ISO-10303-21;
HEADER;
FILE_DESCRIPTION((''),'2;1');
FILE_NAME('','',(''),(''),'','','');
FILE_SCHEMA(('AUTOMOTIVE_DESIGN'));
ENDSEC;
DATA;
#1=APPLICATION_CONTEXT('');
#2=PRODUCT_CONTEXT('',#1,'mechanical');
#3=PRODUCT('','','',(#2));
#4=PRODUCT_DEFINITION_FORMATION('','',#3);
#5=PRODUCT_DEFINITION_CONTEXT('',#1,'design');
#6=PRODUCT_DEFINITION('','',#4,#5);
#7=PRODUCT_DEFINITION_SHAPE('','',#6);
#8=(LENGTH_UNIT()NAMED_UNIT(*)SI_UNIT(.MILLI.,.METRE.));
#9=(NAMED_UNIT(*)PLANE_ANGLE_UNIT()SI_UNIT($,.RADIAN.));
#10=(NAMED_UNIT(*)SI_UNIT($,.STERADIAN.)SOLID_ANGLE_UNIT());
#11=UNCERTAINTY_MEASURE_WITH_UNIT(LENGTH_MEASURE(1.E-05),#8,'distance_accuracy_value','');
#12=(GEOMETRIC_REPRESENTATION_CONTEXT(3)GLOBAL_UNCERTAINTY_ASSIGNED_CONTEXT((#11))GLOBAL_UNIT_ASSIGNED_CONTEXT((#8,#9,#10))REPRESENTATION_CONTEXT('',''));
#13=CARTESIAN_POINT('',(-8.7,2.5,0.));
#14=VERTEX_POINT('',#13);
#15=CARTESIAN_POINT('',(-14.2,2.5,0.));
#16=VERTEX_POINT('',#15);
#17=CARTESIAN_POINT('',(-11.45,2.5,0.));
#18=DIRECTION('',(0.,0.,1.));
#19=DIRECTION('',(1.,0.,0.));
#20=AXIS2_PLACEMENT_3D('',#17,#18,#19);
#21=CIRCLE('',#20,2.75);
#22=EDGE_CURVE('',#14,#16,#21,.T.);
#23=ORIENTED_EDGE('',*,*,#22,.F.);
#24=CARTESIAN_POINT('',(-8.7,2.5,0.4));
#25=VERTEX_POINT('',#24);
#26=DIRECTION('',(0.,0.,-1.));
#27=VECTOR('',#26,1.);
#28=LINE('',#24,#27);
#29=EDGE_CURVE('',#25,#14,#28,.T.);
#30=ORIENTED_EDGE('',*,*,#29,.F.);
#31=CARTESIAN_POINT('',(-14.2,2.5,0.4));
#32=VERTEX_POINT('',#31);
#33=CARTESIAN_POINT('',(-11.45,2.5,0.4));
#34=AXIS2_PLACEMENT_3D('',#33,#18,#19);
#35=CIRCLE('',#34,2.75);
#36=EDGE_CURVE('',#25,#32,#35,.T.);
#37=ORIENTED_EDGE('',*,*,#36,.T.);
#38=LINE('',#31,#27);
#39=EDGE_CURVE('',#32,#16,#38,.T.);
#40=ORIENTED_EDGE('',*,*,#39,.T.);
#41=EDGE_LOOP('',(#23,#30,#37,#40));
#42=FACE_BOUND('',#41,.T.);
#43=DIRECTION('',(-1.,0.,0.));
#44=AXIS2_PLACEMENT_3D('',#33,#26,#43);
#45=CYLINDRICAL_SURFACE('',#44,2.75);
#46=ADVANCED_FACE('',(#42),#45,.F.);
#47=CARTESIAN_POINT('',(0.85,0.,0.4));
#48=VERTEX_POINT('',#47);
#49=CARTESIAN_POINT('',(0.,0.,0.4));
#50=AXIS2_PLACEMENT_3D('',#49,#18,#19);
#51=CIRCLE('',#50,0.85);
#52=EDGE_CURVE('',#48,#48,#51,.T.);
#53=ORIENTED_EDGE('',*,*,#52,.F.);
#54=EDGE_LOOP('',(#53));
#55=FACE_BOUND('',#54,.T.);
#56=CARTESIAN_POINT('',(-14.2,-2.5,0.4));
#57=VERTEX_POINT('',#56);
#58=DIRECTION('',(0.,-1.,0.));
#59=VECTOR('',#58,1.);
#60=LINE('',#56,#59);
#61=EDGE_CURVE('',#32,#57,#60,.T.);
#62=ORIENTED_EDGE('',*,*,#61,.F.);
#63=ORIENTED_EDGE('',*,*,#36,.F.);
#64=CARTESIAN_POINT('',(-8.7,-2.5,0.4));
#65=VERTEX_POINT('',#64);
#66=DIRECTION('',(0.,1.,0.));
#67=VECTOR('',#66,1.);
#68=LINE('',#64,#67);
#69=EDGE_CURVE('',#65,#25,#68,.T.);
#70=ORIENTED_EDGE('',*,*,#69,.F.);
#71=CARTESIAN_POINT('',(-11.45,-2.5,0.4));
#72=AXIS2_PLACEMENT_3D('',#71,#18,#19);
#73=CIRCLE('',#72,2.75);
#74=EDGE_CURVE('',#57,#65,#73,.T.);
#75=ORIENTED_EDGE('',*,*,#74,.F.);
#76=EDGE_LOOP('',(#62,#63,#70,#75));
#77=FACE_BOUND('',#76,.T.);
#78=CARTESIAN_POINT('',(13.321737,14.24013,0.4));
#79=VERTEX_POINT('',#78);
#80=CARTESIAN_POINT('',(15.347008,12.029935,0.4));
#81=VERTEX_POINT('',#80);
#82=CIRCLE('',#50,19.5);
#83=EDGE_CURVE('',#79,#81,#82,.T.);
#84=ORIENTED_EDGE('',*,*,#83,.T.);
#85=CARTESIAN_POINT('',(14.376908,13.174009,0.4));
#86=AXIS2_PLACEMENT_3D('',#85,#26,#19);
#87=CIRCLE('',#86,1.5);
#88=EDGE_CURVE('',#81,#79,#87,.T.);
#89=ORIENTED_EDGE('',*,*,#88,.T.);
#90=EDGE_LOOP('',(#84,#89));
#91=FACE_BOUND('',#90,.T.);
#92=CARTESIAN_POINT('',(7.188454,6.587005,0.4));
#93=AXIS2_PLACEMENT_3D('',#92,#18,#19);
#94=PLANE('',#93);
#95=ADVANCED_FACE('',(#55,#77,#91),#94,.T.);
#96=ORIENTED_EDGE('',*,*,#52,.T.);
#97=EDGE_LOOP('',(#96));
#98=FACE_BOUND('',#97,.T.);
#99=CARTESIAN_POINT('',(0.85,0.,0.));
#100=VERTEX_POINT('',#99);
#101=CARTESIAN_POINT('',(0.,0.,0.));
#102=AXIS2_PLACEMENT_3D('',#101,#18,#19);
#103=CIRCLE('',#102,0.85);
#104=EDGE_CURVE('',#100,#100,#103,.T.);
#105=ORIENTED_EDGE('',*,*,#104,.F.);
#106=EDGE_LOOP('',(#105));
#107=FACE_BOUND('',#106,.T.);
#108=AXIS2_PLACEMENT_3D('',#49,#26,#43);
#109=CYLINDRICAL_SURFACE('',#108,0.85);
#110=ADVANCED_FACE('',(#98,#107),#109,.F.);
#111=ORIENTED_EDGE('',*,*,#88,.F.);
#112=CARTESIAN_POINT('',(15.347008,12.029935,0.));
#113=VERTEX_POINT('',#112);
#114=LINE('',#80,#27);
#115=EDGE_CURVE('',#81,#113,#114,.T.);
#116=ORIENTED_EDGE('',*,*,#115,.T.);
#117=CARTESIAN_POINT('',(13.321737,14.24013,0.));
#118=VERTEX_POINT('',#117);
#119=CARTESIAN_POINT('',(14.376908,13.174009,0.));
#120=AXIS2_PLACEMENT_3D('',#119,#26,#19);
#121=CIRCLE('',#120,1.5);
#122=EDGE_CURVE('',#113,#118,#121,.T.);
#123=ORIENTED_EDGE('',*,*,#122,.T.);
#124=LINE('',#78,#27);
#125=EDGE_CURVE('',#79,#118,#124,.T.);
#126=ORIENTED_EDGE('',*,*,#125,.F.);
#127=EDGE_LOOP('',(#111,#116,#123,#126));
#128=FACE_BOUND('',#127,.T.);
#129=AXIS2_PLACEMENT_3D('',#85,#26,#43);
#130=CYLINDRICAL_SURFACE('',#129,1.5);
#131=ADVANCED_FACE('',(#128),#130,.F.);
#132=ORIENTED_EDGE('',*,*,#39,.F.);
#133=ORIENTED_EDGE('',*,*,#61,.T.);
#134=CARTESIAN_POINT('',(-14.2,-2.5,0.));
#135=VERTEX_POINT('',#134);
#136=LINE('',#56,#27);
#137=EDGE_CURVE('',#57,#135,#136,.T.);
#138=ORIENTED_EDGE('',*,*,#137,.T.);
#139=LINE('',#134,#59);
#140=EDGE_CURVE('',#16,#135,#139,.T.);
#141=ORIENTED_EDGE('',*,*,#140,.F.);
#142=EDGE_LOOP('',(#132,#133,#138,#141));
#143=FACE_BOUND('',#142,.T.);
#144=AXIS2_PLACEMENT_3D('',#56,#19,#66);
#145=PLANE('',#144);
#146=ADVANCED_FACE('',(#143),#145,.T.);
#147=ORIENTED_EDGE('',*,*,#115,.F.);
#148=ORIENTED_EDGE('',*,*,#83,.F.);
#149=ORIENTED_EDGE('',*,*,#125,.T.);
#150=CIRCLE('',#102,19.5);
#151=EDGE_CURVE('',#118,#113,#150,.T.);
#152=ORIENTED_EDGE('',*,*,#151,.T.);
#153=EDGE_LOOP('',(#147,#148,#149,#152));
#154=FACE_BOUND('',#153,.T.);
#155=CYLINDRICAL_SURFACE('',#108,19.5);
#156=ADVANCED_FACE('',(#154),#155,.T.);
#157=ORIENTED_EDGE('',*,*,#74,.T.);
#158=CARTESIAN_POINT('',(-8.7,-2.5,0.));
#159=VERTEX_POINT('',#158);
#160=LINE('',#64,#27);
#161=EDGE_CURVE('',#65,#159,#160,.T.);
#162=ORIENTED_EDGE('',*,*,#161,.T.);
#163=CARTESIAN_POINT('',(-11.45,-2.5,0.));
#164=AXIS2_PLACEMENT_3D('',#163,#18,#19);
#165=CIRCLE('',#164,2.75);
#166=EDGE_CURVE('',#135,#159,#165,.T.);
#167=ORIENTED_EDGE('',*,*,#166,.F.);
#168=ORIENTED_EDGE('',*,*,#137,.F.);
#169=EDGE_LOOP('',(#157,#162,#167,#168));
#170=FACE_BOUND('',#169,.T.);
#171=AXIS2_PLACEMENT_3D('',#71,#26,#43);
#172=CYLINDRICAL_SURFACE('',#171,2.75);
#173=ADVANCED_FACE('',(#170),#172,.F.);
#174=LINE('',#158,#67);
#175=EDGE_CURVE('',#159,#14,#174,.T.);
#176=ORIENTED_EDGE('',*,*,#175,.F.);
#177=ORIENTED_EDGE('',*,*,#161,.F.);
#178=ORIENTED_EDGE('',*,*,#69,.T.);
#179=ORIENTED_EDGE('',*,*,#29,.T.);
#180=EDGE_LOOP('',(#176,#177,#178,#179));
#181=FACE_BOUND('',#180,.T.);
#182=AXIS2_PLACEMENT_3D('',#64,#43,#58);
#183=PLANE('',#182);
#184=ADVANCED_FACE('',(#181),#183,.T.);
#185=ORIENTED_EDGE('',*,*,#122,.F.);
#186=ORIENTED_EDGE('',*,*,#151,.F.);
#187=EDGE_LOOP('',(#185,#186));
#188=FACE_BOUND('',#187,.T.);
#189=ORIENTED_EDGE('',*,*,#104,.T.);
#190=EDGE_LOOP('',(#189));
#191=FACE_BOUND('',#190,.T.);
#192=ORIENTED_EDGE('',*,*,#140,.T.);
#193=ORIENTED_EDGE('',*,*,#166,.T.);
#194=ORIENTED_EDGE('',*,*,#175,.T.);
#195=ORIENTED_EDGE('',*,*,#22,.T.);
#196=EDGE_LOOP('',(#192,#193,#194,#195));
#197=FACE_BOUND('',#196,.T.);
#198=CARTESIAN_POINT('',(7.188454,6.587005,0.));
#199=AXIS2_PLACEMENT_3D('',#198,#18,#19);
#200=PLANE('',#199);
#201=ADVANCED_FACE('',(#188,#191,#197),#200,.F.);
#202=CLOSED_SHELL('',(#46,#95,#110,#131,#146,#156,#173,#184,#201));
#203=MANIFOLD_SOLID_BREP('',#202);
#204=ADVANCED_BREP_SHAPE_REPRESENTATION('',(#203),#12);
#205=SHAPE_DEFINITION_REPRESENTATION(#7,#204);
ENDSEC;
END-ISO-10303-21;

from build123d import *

# Parameters (mm, degrees)
ESQUISSE1_R        = 0.85
BOSS_EXTRU_1_DEPTH = 0.4


with BuildPart() as part:
    # Esquisse1 → Boss.-Extru.1 (new body)
    with BuildSketch(Plane.XY):
        with BuildLine():
            ThreePointArc((13.321737348, 14.240130408), (-14.376908068, -13.174009049), (15.347008325, 12.029934973))
            ThreePointArc((15.347008325, 12.029934973), (13.270992063, 12.160623737), (13.321737348, 14.240130408))
        make_face()
        Circle(ESQUISSE1_R, mode=Mode.SUBTRACT)
        with BuildLine():
            Line((-14.2, -2.5), (-14.2, 2.5))
            ThreePointArc((-14.2, 2.5), (-11.45, 5.25), (-8.7, 2.5))
            Line((-8.7, 2.5), (-8.7, -2.5))
            ThreePointArc((-8.7, -2.5), (-11.45, -5.25), (-14.2, -2.5))
        make_face(mode=Mode.SUBTRACT)
    extrude(amount=BOSS_EXTRU_1_DEPTH)


solid = part.part
